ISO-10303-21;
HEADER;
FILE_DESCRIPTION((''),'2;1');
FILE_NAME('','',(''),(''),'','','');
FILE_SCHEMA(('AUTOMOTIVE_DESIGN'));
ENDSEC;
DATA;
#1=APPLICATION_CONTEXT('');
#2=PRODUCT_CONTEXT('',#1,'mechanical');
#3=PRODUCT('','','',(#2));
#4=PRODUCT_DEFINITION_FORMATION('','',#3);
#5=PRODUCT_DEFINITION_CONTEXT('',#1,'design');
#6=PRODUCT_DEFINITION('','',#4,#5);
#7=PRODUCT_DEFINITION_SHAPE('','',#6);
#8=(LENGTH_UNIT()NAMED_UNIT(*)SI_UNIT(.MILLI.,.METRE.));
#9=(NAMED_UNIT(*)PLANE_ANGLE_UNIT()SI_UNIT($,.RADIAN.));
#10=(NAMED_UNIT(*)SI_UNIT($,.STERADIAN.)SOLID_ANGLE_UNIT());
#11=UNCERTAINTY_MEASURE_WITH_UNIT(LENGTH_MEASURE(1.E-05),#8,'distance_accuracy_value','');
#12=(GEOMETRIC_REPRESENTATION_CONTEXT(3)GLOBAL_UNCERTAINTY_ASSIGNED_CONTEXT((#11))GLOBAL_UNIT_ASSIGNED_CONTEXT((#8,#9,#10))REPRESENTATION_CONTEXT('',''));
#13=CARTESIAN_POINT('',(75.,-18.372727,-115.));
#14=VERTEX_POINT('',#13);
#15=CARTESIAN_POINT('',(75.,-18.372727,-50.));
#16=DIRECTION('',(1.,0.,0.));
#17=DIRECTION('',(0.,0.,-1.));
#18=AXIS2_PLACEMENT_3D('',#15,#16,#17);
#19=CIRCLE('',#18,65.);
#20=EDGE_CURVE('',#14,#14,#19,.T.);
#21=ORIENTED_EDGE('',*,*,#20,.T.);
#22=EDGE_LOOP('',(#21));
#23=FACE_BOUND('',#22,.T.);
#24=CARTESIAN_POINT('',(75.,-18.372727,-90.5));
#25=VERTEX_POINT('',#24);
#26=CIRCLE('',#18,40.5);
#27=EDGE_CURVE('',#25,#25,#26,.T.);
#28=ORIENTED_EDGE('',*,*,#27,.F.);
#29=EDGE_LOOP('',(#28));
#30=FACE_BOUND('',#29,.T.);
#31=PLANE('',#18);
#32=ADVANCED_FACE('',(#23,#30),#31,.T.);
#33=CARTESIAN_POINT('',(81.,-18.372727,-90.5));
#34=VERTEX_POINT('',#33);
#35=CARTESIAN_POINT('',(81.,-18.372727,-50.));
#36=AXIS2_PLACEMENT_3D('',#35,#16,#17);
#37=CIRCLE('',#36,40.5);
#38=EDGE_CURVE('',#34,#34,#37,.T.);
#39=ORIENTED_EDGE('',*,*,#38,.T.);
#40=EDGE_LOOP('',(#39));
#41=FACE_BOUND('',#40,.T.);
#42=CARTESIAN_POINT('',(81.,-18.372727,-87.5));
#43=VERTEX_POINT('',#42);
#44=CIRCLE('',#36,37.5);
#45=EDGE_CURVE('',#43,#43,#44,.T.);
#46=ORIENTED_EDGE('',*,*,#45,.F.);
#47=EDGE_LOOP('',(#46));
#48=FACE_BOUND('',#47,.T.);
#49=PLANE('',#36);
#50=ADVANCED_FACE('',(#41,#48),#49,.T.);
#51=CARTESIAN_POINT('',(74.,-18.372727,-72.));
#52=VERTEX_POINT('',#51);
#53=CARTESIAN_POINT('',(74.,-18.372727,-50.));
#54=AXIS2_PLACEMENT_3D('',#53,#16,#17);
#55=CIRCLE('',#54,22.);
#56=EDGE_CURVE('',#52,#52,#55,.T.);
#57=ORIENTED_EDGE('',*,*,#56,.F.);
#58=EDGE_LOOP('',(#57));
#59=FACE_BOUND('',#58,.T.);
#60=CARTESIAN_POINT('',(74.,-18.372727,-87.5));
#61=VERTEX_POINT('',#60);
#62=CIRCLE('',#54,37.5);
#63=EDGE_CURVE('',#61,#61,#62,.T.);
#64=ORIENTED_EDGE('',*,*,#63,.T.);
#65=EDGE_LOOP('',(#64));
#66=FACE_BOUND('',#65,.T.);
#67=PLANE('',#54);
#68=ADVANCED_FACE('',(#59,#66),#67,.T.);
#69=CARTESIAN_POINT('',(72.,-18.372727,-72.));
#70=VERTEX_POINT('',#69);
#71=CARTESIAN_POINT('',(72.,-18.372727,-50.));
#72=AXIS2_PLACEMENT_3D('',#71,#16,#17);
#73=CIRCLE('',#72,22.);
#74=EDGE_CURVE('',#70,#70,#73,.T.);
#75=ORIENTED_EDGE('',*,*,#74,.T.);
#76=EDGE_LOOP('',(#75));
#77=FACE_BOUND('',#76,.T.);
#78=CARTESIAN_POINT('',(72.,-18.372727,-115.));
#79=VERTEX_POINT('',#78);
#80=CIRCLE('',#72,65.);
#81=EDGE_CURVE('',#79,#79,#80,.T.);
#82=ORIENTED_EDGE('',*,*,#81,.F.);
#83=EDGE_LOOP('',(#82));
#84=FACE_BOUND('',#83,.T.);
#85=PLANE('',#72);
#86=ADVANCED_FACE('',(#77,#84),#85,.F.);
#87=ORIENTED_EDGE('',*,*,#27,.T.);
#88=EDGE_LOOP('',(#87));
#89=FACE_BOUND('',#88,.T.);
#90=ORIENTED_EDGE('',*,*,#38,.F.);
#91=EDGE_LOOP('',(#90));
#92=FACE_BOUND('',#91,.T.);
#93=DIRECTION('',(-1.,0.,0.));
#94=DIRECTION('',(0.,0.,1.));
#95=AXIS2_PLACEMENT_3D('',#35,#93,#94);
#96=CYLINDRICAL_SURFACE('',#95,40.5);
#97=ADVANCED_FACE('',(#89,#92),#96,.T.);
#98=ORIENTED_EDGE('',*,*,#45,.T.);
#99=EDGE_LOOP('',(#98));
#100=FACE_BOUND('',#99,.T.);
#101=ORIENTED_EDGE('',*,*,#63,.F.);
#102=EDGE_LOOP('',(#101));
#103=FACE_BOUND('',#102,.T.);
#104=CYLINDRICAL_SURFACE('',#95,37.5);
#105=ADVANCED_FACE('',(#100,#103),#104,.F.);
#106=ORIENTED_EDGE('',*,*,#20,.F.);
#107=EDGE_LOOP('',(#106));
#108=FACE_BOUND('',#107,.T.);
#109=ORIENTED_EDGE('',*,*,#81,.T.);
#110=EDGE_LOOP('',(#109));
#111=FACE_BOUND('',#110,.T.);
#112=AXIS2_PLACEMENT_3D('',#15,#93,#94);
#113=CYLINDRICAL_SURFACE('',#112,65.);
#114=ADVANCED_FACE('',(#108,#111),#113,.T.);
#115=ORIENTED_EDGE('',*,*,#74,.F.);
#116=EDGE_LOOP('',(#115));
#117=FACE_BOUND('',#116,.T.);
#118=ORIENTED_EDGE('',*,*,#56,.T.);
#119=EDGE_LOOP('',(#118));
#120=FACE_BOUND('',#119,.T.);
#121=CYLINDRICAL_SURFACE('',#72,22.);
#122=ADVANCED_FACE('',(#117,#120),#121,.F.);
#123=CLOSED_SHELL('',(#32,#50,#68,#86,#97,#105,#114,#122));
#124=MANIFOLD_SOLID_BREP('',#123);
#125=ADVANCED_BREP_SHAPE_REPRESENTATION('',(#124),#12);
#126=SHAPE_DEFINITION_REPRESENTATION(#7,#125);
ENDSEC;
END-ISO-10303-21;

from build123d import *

# Parameters (mm, degrees)
SKETCH1_R               = 65
BULK_EXTRUDE_DEPTH      = 3
SKETCH2_R               = 40.5
SKETCH2_R_2             = 37.5
BEARING_RING_DEPTH      = 6
BEARING_START           = -1
SKETCH4_R               = 37.5
BEARING_CUT_DEPTH       = 1
SKETCH5_R               = 22
WIRE_PASSTHRU_CUT_DEPTH = 143.214667503


with BuildPart() as part:
    # Sketch1 → BULK EXTRUDE (new body)
    with BuildSketch(Plane(origin=(72, 0, 0), x_dir=(0, 0, -1), z_dir=(1, 0, 0))):
        with Locations((50, -18.372727273)):
            Circle(SKETCH1_R)
    extrude(amount=BULK_EXTRUDE_DEPTH)

    # Sketch2 → BEARING RING (add)
    with BuildSketch(Plane(origin=(75, 0, 0), x_dir=(0, 0, -1), z_dir=(1, 0, 0))):
        with Locations((50, -18.372727273)):
            Circle(SKETCH2_R)
        with Locations((50, -18.372727273)):
            Circle(SKETCH2_R_2, mode=Mode.SUBTRACT)
    extrude(amount=BEARING_RING_DEPTH)

    # Sketch4 → BEARING CUT (cut)
    with BuildSketch(Plane(origin=(75, 0, 0), x_dir=(0, 0, -1), z_dir=(1, 0, 0)).offset(BEARING_START)):
        with Locations((50, -18.372727273)):
            Circle(SKETCH4_R)
    extrude(amount=BEARING_CUT_DEPTH, mode=Mode.SUBTRACT)

    # Sketch5 → WIRE PASSTHRU CUT (cut, through all)
    with BuildSketch(Plane(origin=(74, 0, 0), x_dir=(0, 0, -1), z_dir=(1, 0, 0))):
        with Locations((50, -18.372727273)):
            Circle(SKETCH5_R)
    extrude(amount=-WIRE_PASSTHRU_CUT_DEPTH, mode=Mode.SUBTRACT)


solid = part.part
